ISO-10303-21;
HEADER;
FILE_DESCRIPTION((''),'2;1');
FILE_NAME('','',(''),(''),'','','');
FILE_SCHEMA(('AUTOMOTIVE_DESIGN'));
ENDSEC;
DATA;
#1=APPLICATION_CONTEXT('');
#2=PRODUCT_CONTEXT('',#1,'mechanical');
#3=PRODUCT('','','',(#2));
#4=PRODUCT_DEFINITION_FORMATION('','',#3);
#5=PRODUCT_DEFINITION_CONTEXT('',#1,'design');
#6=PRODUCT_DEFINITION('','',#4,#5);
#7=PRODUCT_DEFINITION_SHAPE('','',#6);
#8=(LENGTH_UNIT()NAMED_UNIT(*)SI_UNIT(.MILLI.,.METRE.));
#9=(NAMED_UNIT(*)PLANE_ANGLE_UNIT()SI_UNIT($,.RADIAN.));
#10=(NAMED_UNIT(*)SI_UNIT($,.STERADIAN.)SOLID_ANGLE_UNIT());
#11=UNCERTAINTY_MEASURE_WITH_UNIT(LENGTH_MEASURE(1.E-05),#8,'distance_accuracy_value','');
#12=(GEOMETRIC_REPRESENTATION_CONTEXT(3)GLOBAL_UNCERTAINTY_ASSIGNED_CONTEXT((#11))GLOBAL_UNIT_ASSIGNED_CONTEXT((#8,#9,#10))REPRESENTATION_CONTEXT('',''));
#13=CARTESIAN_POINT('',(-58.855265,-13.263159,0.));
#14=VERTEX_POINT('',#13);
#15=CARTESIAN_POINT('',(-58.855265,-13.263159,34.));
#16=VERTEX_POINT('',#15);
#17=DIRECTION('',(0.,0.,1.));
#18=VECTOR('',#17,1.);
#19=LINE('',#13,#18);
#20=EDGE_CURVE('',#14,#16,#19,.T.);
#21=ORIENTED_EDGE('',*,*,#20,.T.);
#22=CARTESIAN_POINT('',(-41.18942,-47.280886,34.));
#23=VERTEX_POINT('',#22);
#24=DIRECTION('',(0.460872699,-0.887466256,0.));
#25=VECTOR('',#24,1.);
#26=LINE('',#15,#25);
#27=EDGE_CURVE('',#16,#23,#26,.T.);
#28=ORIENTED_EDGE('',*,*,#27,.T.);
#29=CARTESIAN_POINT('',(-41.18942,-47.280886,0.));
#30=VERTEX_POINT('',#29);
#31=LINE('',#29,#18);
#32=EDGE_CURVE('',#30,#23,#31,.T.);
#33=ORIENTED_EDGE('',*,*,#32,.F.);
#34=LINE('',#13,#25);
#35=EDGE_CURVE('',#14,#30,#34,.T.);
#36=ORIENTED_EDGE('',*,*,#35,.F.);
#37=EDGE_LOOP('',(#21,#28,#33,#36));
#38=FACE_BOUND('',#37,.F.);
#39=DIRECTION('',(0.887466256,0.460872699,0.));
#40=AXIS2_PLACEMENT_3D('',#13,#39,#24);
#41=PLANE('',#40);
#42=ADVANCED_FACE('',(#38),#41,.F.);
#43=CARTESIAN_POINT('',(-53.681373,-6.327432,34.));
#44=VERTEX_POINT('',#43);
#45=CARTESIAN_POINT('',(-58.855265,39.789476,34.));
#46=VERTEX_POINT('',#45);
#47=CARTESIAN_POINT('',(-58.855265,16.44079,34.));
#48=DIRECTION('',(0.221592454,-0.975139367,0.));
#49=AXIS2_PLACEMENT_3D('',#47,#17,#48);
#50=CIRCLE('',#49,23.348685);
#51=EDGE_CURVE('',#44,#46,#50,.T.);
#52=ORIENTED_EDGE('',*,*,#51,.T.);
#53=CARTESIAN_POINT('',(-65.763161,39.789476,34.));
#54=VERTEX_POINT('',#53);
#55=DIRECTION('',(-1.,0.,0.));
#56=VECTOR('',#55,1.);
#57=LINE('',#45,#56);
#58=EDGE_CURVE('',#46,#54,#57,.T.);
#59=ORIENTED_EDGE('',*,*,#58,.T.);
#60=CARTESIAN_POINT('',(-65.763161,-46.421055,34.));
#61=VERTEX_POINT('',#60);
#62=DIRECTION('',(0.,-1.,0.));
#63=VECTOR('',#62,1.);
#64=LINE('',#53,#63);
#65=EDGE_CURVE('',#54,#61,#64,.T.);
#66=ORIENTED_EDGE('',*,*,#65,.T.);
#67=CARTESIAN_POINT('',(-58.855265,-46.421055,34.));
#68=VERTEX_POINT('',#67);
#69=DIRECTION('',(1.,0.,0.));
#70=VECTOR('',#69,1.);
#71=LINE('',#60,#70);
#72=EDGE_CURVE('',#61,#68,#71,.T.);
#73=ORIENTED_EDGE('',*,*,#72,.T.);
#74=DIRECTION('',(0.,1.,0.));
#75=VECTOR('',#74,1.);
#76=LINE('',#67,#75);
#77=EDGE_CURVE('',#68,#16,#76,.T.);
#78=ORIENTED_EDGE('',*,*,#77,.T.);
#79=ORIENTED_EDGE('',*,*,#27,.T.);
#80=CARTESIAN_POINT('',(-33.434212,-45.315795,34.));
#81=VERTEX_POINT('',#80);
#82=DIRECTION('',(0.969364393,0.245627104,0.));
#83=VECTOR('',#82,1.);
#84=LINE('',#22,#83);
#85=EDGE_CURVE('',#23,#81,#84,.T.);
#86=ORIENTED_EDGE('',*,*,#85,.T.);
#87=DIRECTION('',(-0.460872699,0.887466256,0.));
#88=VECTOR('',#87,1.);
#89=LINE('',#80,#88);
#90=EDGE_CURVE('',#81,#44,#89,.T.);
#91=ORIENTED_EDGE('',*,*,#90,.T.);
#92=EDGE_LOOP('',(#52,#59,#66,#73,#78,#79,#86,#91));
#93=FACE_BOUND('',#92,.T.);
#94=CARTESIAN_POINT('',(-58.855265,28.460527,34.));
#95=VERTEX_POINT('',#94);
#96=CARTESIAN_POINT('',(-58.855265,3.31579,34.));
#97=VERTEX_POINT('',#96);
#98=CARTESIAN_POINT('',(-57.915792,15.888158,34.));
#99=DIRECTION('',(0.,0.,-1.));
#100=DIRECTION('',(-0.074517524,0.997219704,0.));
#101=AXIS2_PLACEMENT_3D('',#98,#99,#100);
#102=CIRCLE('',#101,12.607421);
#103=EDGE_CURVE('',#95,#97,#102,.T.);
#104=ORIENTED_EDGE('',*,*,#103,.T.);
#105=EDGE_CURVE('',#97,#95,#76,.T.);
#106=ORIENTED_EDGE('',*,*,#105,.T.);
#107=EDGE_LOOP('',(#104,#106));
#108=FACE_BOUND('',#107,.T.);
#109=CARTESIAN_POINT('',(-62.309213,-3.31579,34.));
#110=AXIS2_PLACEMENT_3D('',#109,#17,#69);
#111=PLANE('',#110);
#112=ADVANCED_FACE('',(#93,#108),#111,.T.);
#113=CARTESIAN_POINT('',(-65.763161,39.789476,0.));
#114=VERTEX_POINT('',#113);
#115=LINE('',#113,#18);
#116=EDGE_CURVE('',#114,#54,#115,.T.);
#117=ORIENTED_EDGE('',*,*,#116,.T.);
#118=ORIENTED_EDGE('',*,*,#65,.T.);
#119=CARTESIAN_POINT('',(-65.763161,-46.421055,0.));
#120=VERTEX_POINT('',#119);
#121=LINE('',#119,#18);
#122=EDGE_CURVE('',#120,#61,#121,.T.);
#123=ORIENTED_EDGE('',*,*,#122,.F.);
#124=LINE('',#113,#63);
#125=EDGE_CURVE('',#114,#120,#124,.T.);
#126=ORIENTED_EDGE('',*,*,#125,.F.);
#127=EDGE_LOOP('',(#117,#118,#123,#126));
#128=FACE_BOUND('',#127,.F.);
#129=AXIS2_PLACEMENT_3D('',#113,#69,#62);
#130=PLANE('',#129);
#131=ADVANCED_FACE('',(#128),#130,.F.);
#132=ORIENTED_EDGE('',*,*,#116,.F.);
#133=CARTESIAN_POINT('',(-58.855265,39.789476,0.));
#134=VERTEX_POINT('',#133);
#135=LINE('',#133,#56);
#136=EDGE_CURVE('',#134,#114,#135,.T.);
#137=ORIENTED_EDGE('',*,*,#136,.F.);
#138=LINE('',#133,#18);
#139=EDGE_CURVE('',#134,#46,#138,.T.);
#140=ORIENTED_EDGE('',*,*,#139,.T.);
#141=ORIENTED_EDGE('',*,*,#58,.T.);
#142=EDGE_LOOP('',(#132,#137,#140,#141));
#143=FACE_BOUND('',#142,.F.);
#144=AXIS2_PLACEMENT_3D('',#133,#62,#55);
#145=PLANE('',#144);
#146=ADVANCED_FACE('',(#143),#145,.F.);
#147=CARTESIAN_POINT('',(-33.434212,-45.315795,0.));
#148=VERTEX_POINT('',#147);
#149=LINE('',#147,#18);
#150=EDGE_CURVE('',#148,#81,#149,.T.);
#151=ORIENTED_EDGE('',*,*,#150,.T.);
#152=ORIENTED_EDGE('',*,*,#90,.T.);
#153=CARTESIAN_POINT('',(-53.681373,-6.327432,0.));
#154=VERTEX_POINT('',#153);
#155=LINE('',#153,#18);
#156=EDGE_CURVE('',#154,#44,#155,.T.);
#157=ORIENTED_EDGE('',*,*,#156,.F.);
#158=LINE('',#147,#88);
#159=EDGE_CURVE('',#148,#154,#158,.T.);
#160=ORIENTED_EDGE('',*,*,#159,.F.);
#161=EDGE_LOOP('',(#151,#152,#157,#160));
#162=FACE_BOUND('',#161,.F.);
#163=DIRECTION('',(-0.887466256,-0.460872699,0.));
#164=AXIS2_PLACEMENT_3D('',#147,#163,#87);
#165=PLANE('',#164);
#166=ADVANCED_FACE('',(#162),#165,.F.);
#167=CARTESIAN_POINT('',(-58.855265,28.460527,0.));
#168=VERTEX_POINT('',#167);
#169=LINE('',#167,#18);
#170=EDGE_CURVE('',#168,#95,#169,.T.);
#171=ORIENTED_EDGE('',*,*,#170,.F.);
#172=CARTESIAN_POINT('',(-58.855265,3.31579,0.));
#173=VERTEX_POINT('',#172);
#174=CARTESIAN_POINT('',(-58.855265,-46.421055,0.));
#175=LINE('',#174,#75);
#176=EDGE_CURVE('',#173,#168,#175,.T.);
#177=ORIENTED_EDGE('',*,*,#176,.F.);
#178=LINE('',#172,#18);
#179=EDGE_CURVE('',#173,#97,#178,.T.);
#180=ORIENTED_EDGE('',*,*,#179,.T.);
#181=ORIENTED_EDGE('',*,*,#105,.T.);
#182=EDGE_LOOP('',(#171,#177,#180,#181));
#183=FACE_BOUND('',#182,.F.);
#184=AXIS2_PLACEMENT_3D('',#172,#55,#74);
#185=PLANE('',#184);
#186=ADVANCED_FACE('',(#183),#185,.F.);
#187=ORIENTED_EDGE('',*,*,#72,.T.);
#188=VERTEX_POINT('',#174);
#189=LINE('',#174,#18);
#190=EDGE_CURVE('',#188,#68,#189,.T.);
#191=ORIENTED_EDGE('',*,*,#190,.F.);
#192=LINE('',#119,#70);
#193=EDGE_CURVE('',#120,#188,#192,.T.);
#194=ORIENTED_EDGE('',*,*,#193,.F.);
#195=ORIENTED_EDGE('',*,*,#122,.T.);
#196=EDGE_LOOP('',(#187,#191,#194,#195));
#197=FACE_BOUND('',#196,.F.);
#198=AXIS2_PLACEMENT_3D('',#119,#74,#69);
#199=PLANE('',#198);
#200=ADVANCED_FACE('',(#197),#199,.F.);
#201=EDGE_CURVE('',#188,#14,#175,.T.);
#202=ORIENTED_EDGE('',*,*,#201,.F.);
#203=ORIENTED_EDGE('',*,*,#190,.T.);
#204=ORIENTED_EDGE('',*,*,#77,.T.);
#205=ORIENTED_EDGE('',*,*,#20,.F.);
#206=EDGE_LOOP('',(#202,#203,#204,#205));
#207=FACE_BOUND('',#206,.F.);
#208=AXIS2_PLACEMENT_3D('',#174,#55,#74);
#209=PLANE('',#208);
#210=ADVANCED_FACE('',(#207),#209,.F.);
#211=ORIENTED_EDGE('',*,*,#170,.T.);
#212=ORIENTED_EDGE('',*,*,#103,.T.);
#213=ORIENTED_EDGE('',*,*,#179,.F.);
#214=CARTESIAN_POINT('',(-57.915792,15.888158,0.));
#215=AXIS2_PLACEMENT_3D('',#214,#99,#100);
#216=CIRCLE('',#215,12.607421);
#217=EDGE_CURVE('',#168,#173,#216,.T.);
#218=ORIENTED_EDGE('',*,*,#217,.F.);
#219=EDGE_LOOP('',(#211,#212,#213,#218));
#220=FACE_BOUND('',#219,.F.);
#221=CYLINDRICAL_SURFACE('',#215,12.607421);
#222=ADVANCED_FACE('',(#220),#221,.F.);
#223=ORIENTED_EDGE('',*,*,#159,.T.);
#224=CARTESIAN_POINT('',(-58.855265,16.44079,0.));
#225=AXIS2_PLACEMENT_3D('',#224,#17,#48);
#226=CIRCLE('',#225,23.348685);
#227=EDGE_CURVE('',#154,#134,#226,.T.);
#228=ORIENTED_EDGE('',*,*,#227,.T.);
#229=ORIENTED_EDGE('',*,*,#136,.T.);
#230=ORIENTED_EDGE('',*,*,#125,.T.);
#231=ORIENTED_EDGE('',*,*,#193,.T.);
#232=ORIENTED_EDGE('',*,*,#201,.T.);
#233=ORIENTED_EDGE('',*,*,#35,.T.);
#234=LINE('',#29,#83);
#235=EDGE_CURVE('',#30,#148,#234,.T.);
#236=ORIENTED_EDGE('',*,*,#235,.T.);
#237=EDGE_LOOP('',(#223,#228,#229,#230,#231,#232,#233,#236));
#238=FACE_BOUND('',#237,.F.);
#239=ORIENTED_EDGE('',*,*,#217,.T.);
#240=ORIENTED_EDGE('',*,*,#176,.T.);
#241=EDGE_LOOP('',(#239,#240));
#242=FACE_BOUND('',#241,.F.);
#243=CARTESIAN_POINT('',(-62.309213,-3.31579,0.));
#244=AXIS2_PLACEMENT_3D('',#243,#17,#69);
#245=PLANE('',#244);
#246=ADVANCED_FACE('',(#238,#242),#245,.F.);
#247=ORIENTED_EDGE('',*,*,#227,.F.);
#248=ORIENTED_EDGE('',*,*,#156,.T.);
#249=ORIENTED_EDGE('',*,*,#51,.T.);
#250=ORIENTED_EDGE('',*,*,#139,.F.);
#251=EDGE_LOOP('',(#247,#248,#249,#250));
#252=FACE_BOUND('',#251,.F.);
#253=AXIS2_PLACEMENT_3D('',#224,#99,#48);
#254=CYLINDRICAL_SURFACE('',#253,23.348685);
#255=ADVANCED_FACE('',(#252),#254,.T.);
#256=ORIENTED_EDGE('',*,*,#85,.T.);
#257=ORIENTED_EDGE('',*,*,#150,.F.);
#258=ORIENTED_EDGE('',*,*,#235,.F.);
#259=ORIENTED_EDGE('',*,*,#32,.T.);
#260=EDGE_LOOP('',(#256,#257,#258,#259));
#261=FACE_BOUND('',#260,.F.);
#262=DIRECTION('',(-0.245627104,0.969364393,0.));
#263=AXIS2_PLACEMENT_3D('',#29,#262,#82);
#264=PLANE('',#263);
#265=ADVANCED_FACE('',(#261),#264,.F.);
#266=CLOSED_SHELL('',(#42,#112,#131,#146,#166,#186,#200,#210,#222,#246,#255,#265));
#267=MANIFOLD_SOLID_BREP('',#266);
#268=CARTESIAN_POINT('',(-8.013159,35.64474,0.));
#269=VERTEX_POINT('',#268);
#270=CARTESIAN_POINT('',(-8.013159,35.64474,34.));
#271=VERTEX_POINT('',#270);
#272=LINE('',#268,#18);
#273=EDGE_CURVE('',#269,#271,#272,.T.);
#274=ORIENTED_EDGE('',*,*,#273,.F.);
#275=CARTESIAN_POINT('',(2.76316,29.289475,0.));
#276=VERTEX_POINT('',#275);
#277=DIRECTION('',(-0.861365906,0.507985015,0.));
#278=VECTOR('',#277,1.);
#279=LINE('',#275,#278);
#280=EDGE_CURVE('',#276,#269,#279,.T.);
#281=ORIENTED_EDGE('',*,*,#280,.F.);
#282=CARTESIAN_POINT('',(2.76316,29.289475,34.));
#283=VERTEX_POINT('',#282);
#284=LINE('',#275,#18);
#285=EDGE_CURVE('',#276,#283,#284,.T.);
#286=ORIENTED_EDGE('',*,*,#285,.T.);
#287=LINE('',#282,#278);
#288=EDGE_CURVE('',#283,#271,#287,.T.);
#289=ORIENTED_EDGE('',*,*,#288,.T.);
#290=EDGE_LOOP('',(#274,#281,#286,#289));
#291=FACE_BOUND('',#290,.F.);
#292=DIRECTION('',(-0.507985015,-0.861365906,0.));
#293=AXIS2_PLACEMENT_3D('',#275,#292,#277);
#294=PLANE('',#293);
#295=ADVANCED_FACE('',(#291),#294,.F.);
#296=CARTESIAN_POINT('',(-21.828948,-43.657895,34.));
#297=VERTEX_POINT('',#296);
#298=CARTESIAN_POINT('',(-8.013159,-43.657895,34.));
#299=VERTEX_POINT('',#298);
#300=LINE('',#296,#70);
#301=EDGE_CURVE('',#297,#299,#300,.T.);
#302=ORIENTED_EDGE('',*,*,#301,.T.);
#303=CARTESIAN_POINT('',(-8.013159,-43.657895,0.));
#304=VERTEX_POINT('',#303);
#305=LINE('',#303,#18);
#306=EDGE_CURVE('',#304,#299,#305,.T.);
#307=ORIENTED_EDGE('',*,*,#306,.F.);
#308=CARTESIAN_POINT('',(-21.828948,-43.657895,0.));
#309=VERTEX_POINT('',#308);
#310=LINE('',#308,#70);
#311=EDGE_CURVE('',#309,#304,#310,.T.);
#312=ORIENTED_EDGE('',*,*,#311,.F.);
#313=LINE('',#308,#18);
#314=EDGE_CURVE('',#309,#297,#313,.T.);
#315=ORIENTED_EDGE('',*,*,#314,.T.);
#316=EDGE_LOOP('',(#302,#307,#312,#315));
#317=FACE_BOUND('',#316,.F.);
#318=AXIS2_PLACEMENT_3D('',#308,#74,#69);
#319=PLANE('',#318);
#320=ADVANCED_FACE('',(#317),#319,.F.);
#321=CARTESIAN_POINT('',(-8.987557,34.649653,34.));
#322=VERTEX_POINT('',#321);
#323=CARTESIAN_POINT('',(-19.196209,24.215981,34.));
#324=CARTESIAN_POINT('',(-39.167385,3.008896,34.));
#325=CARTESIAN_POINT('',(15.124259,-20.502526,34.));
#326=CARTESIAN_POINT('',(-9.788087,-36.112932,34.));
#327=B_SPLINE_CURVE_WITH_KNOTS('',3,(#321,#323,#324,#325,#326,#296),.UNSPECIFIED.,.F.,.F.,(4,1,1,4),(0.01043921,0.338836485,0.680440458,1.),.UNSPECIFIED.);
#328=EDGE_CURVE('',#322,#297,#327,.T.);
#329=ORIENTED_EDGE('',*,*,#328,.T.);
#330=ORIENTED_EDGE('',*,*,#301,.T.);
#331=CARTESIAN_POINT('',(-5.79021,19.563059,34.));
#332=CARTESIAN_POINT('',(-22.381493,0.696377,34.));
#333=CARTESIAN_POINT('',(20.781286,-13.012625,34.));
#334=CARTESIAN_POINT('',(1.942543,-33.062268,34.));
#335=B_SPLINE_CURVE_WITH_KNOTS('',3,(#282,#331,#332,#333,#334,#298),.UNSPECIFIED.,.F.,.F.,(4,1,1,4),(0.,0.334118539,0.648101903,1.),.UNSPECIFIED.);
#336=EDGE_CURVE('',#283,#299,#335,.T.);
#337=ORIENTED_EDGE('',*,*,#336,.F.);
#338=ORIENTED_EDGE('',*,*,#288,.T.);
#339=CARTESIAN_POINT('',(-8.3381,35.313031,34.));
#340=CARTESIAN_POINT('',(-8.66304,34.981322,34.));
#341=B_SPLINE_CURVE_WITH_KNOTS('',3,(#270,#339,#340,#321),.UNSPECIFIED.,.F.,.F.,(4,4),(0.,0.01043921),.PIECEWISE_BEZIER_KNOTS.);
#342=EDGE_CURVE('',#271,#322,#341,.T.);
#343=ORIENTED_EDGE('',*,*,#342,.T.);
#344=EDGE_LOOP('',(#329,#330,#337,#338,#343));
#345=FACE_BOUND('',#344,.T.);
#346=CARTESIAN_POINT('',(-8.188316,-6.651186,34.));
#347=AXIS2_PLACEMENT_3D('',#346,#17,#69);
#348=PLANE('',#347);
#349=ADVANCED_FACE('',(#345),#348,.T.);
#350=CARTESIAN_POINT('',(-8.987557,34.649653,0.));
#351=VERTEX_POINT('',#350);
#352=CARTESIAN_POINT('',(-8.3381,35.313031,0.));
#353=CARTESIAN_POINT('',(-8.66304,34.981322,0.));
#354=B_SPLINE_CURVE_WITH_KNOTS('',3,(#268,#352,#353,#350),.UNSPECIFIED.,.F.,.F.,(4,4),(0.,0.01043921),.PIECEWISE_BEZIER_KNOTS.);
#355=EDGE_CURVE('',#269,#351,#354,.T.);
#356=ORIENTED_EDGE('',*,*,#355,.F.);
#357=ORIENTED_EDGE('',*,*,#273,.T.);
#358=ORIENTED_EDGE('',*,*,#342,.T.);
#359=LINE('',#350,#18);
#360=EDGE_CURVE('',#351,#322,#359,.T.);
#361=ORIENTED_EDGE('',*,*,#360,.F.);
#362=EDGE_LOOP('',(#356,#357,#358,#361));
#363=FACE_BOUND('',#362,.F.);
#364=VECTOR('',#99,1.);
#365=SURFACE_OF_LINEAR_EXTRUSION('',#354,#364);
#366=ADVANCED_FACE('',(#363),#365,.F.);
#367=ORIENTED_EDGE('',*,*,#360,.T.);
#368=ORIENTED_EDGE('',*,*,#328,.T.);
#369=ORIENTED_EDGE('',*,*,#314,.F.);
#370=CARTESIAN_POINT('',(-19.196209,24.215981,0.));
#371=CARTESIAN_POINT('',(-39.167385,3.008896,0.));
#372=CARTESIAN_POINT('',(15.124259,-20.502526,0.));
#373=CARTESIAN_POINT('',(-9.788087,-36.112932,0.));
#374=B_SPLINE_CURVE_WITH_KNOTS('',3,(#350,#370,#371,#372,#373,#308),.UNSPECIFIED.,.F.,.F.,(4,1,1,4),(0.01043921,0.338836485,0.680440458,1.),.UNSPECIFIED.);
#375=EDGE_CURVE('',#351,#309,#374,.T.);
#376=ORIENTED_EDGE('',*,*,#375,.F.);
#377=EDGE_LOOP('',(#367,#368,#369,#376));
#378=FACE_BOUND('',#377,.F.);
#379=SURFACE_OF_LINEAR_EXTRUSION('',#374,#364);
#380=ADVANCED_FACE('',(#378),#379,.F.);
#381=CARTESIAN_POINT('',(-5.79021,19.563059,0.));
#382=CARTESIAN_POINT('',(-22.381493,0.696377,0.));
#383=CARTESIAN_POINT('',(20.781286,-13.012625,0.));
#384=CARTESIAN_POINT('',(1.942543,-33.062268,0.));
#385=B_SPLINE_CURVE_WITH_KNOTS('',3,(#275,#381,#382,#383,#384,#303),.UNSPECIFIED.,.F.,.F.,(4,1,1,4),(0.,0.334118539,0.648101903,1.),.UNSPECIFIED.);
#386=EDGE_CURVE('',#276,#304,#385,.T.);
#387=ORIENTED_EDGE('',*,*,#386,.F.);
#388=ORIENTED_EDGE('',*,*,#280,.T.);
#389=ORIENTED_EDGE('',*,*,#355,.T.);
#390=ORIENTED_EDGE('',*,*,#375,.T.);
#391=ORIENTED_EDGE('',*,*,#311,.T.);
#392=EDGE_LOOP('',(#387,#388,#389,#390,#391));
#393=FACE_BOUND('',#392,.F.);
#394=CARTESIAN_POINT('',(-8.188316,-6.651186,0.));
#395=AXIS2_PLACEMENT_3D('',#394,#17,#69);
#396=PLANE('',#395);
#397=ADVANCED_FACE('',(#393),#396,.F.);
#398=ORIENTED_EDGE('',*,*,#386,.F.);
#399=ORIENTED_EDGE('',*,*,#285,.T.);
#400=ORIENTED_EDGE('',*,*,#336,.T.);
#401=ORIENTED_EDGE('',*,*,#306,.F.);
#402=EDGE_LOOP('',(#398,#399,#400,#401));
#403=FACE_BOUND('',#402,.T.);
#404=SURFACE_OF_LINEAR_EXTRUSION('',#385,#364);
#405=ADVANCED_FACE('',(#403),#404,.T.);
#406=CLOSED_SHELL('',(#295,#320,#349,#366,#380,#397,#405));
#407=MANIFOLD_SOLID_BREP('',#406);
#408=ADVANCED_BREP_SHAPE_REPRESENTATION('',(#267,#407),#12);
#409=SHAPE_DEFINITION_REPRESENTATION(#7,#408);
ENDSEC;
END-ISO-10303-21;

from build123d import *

# Parameters (mm, degrees)
F1_DEPTH = 34


with BuildPart() as f1:
    # F0 (on Top) → F1 (new body)
    with BuildSketch(Plane.XY):
        Polygon((-58.855265379, 39.7894755006), (-65.7631605864, 39.7894755006), (-65.7631605864, -46.4210547507), (-58.855265379, -46.4210547507), (-58.855265379, -13.2631594315), (-58.855265379, -6.9078952074), (-58.855265379, 3.3157898579), (-58.855265379, 28.4605268389), align=None)
        with BuildLine():
            ThreePointArc((-53.6813728957, -6.3274321014), (-35.652149585, 19.0439661321), (-58.855265379, 39.7894755006))
            Line((-58.855265379, 39.7894755006), (-58.855265379, 28.4605268389))
            ThreePointArc((-58.855265379, 28.4605268389), (-45.3083707484, 15.8881583484), (-58.855265379, 3.3157898579))
            Line((-58.855265379, 3.3157898579), (-58.855265379, -6.9078952074))
            ThreePointArc((-58.855265379, -6.9078952074), (-56.2520893935, -6.7623256474), (-53.6813728957, -6.3274321014))
        make_face()
        with BuildLine():
            Line((-33.4342122078, -45.3157946467), (-53.6813728957, -6.3274321014))
            ThreePointArc((-53.6813728957, -6.3274321014), (-56.2520893935, -6.7623256474), (-58.855265379, -6.9078952074))
            Line((-58.855265379, -6.9078952074), (-58.855265379, -13.2631594315))
            Line((-58.855265379, -13.2631594315), (-41.1894203563, -47.2808857205))
            Line((-41.1894203563, -47.2808857205), (-33.4342122078, -45.3157946467))
        make_face()
    extrude(amount=F1_DEPTH)


with BuildPart() as f1b:
    # F0 (on Top) → F1, piece 2 (new body)
    with BuildSketch(Plane.XY):
        with BuildLine():
            Line((2.7631602716, 29.2894747108), (-8.0131590366, 35.6447398663))
            add(Edge.make_bspline(
                [(-8.0131590366, 35.6447398663), (-8.3380996575, 35.3130309961), (-8.6630402784, 34.9813221258), (-8.9875565952, 34.6496528079)],
                knots=[0, 0, 0, 0, 0.0104392104, 0.0104392104, 0.0104392104, 0.0104392104], degree=3))
            add(Edge.make_bspline(
                [(-8.9875565952, 34.6496528079), (-19.1962093039, 24.2159805814), (-39.1673849495, 3.0088962137), (15.1242588993, -20.5025263488), (-9.788086857, -36.1129322973), (-21.8289475888, -43.6578951776)],
                knots=[0.0104392104, 0.0104392104, 0.0104392104, 0.0104392104, 0.3388364846, 0.6804404576, 1, 1, 1, 1], degree=3))
            Line((-21.8289475888, -43.6578951776), (-8.0131590366, -43.6578951776))
            add(Edge.make_bspline(
                [(2.7631602716, 29.2894747108), (-5.7902096466, 19.5630593403), (-22.3814929069, 0.696377078), (20.7812861649, -13.0126247707), (1.9425434447, -33.0622683997), (-8.0131590366, -43.6578951776)],
                knots=[0, 0, 0, 0, 0.3341185388, 0.6481019029, 1, 1, 1, 1], degree=3))
        make_face()
    extrude(amount=F1_DEPTH)


solid = Compound([f1.part, f1b.part])
